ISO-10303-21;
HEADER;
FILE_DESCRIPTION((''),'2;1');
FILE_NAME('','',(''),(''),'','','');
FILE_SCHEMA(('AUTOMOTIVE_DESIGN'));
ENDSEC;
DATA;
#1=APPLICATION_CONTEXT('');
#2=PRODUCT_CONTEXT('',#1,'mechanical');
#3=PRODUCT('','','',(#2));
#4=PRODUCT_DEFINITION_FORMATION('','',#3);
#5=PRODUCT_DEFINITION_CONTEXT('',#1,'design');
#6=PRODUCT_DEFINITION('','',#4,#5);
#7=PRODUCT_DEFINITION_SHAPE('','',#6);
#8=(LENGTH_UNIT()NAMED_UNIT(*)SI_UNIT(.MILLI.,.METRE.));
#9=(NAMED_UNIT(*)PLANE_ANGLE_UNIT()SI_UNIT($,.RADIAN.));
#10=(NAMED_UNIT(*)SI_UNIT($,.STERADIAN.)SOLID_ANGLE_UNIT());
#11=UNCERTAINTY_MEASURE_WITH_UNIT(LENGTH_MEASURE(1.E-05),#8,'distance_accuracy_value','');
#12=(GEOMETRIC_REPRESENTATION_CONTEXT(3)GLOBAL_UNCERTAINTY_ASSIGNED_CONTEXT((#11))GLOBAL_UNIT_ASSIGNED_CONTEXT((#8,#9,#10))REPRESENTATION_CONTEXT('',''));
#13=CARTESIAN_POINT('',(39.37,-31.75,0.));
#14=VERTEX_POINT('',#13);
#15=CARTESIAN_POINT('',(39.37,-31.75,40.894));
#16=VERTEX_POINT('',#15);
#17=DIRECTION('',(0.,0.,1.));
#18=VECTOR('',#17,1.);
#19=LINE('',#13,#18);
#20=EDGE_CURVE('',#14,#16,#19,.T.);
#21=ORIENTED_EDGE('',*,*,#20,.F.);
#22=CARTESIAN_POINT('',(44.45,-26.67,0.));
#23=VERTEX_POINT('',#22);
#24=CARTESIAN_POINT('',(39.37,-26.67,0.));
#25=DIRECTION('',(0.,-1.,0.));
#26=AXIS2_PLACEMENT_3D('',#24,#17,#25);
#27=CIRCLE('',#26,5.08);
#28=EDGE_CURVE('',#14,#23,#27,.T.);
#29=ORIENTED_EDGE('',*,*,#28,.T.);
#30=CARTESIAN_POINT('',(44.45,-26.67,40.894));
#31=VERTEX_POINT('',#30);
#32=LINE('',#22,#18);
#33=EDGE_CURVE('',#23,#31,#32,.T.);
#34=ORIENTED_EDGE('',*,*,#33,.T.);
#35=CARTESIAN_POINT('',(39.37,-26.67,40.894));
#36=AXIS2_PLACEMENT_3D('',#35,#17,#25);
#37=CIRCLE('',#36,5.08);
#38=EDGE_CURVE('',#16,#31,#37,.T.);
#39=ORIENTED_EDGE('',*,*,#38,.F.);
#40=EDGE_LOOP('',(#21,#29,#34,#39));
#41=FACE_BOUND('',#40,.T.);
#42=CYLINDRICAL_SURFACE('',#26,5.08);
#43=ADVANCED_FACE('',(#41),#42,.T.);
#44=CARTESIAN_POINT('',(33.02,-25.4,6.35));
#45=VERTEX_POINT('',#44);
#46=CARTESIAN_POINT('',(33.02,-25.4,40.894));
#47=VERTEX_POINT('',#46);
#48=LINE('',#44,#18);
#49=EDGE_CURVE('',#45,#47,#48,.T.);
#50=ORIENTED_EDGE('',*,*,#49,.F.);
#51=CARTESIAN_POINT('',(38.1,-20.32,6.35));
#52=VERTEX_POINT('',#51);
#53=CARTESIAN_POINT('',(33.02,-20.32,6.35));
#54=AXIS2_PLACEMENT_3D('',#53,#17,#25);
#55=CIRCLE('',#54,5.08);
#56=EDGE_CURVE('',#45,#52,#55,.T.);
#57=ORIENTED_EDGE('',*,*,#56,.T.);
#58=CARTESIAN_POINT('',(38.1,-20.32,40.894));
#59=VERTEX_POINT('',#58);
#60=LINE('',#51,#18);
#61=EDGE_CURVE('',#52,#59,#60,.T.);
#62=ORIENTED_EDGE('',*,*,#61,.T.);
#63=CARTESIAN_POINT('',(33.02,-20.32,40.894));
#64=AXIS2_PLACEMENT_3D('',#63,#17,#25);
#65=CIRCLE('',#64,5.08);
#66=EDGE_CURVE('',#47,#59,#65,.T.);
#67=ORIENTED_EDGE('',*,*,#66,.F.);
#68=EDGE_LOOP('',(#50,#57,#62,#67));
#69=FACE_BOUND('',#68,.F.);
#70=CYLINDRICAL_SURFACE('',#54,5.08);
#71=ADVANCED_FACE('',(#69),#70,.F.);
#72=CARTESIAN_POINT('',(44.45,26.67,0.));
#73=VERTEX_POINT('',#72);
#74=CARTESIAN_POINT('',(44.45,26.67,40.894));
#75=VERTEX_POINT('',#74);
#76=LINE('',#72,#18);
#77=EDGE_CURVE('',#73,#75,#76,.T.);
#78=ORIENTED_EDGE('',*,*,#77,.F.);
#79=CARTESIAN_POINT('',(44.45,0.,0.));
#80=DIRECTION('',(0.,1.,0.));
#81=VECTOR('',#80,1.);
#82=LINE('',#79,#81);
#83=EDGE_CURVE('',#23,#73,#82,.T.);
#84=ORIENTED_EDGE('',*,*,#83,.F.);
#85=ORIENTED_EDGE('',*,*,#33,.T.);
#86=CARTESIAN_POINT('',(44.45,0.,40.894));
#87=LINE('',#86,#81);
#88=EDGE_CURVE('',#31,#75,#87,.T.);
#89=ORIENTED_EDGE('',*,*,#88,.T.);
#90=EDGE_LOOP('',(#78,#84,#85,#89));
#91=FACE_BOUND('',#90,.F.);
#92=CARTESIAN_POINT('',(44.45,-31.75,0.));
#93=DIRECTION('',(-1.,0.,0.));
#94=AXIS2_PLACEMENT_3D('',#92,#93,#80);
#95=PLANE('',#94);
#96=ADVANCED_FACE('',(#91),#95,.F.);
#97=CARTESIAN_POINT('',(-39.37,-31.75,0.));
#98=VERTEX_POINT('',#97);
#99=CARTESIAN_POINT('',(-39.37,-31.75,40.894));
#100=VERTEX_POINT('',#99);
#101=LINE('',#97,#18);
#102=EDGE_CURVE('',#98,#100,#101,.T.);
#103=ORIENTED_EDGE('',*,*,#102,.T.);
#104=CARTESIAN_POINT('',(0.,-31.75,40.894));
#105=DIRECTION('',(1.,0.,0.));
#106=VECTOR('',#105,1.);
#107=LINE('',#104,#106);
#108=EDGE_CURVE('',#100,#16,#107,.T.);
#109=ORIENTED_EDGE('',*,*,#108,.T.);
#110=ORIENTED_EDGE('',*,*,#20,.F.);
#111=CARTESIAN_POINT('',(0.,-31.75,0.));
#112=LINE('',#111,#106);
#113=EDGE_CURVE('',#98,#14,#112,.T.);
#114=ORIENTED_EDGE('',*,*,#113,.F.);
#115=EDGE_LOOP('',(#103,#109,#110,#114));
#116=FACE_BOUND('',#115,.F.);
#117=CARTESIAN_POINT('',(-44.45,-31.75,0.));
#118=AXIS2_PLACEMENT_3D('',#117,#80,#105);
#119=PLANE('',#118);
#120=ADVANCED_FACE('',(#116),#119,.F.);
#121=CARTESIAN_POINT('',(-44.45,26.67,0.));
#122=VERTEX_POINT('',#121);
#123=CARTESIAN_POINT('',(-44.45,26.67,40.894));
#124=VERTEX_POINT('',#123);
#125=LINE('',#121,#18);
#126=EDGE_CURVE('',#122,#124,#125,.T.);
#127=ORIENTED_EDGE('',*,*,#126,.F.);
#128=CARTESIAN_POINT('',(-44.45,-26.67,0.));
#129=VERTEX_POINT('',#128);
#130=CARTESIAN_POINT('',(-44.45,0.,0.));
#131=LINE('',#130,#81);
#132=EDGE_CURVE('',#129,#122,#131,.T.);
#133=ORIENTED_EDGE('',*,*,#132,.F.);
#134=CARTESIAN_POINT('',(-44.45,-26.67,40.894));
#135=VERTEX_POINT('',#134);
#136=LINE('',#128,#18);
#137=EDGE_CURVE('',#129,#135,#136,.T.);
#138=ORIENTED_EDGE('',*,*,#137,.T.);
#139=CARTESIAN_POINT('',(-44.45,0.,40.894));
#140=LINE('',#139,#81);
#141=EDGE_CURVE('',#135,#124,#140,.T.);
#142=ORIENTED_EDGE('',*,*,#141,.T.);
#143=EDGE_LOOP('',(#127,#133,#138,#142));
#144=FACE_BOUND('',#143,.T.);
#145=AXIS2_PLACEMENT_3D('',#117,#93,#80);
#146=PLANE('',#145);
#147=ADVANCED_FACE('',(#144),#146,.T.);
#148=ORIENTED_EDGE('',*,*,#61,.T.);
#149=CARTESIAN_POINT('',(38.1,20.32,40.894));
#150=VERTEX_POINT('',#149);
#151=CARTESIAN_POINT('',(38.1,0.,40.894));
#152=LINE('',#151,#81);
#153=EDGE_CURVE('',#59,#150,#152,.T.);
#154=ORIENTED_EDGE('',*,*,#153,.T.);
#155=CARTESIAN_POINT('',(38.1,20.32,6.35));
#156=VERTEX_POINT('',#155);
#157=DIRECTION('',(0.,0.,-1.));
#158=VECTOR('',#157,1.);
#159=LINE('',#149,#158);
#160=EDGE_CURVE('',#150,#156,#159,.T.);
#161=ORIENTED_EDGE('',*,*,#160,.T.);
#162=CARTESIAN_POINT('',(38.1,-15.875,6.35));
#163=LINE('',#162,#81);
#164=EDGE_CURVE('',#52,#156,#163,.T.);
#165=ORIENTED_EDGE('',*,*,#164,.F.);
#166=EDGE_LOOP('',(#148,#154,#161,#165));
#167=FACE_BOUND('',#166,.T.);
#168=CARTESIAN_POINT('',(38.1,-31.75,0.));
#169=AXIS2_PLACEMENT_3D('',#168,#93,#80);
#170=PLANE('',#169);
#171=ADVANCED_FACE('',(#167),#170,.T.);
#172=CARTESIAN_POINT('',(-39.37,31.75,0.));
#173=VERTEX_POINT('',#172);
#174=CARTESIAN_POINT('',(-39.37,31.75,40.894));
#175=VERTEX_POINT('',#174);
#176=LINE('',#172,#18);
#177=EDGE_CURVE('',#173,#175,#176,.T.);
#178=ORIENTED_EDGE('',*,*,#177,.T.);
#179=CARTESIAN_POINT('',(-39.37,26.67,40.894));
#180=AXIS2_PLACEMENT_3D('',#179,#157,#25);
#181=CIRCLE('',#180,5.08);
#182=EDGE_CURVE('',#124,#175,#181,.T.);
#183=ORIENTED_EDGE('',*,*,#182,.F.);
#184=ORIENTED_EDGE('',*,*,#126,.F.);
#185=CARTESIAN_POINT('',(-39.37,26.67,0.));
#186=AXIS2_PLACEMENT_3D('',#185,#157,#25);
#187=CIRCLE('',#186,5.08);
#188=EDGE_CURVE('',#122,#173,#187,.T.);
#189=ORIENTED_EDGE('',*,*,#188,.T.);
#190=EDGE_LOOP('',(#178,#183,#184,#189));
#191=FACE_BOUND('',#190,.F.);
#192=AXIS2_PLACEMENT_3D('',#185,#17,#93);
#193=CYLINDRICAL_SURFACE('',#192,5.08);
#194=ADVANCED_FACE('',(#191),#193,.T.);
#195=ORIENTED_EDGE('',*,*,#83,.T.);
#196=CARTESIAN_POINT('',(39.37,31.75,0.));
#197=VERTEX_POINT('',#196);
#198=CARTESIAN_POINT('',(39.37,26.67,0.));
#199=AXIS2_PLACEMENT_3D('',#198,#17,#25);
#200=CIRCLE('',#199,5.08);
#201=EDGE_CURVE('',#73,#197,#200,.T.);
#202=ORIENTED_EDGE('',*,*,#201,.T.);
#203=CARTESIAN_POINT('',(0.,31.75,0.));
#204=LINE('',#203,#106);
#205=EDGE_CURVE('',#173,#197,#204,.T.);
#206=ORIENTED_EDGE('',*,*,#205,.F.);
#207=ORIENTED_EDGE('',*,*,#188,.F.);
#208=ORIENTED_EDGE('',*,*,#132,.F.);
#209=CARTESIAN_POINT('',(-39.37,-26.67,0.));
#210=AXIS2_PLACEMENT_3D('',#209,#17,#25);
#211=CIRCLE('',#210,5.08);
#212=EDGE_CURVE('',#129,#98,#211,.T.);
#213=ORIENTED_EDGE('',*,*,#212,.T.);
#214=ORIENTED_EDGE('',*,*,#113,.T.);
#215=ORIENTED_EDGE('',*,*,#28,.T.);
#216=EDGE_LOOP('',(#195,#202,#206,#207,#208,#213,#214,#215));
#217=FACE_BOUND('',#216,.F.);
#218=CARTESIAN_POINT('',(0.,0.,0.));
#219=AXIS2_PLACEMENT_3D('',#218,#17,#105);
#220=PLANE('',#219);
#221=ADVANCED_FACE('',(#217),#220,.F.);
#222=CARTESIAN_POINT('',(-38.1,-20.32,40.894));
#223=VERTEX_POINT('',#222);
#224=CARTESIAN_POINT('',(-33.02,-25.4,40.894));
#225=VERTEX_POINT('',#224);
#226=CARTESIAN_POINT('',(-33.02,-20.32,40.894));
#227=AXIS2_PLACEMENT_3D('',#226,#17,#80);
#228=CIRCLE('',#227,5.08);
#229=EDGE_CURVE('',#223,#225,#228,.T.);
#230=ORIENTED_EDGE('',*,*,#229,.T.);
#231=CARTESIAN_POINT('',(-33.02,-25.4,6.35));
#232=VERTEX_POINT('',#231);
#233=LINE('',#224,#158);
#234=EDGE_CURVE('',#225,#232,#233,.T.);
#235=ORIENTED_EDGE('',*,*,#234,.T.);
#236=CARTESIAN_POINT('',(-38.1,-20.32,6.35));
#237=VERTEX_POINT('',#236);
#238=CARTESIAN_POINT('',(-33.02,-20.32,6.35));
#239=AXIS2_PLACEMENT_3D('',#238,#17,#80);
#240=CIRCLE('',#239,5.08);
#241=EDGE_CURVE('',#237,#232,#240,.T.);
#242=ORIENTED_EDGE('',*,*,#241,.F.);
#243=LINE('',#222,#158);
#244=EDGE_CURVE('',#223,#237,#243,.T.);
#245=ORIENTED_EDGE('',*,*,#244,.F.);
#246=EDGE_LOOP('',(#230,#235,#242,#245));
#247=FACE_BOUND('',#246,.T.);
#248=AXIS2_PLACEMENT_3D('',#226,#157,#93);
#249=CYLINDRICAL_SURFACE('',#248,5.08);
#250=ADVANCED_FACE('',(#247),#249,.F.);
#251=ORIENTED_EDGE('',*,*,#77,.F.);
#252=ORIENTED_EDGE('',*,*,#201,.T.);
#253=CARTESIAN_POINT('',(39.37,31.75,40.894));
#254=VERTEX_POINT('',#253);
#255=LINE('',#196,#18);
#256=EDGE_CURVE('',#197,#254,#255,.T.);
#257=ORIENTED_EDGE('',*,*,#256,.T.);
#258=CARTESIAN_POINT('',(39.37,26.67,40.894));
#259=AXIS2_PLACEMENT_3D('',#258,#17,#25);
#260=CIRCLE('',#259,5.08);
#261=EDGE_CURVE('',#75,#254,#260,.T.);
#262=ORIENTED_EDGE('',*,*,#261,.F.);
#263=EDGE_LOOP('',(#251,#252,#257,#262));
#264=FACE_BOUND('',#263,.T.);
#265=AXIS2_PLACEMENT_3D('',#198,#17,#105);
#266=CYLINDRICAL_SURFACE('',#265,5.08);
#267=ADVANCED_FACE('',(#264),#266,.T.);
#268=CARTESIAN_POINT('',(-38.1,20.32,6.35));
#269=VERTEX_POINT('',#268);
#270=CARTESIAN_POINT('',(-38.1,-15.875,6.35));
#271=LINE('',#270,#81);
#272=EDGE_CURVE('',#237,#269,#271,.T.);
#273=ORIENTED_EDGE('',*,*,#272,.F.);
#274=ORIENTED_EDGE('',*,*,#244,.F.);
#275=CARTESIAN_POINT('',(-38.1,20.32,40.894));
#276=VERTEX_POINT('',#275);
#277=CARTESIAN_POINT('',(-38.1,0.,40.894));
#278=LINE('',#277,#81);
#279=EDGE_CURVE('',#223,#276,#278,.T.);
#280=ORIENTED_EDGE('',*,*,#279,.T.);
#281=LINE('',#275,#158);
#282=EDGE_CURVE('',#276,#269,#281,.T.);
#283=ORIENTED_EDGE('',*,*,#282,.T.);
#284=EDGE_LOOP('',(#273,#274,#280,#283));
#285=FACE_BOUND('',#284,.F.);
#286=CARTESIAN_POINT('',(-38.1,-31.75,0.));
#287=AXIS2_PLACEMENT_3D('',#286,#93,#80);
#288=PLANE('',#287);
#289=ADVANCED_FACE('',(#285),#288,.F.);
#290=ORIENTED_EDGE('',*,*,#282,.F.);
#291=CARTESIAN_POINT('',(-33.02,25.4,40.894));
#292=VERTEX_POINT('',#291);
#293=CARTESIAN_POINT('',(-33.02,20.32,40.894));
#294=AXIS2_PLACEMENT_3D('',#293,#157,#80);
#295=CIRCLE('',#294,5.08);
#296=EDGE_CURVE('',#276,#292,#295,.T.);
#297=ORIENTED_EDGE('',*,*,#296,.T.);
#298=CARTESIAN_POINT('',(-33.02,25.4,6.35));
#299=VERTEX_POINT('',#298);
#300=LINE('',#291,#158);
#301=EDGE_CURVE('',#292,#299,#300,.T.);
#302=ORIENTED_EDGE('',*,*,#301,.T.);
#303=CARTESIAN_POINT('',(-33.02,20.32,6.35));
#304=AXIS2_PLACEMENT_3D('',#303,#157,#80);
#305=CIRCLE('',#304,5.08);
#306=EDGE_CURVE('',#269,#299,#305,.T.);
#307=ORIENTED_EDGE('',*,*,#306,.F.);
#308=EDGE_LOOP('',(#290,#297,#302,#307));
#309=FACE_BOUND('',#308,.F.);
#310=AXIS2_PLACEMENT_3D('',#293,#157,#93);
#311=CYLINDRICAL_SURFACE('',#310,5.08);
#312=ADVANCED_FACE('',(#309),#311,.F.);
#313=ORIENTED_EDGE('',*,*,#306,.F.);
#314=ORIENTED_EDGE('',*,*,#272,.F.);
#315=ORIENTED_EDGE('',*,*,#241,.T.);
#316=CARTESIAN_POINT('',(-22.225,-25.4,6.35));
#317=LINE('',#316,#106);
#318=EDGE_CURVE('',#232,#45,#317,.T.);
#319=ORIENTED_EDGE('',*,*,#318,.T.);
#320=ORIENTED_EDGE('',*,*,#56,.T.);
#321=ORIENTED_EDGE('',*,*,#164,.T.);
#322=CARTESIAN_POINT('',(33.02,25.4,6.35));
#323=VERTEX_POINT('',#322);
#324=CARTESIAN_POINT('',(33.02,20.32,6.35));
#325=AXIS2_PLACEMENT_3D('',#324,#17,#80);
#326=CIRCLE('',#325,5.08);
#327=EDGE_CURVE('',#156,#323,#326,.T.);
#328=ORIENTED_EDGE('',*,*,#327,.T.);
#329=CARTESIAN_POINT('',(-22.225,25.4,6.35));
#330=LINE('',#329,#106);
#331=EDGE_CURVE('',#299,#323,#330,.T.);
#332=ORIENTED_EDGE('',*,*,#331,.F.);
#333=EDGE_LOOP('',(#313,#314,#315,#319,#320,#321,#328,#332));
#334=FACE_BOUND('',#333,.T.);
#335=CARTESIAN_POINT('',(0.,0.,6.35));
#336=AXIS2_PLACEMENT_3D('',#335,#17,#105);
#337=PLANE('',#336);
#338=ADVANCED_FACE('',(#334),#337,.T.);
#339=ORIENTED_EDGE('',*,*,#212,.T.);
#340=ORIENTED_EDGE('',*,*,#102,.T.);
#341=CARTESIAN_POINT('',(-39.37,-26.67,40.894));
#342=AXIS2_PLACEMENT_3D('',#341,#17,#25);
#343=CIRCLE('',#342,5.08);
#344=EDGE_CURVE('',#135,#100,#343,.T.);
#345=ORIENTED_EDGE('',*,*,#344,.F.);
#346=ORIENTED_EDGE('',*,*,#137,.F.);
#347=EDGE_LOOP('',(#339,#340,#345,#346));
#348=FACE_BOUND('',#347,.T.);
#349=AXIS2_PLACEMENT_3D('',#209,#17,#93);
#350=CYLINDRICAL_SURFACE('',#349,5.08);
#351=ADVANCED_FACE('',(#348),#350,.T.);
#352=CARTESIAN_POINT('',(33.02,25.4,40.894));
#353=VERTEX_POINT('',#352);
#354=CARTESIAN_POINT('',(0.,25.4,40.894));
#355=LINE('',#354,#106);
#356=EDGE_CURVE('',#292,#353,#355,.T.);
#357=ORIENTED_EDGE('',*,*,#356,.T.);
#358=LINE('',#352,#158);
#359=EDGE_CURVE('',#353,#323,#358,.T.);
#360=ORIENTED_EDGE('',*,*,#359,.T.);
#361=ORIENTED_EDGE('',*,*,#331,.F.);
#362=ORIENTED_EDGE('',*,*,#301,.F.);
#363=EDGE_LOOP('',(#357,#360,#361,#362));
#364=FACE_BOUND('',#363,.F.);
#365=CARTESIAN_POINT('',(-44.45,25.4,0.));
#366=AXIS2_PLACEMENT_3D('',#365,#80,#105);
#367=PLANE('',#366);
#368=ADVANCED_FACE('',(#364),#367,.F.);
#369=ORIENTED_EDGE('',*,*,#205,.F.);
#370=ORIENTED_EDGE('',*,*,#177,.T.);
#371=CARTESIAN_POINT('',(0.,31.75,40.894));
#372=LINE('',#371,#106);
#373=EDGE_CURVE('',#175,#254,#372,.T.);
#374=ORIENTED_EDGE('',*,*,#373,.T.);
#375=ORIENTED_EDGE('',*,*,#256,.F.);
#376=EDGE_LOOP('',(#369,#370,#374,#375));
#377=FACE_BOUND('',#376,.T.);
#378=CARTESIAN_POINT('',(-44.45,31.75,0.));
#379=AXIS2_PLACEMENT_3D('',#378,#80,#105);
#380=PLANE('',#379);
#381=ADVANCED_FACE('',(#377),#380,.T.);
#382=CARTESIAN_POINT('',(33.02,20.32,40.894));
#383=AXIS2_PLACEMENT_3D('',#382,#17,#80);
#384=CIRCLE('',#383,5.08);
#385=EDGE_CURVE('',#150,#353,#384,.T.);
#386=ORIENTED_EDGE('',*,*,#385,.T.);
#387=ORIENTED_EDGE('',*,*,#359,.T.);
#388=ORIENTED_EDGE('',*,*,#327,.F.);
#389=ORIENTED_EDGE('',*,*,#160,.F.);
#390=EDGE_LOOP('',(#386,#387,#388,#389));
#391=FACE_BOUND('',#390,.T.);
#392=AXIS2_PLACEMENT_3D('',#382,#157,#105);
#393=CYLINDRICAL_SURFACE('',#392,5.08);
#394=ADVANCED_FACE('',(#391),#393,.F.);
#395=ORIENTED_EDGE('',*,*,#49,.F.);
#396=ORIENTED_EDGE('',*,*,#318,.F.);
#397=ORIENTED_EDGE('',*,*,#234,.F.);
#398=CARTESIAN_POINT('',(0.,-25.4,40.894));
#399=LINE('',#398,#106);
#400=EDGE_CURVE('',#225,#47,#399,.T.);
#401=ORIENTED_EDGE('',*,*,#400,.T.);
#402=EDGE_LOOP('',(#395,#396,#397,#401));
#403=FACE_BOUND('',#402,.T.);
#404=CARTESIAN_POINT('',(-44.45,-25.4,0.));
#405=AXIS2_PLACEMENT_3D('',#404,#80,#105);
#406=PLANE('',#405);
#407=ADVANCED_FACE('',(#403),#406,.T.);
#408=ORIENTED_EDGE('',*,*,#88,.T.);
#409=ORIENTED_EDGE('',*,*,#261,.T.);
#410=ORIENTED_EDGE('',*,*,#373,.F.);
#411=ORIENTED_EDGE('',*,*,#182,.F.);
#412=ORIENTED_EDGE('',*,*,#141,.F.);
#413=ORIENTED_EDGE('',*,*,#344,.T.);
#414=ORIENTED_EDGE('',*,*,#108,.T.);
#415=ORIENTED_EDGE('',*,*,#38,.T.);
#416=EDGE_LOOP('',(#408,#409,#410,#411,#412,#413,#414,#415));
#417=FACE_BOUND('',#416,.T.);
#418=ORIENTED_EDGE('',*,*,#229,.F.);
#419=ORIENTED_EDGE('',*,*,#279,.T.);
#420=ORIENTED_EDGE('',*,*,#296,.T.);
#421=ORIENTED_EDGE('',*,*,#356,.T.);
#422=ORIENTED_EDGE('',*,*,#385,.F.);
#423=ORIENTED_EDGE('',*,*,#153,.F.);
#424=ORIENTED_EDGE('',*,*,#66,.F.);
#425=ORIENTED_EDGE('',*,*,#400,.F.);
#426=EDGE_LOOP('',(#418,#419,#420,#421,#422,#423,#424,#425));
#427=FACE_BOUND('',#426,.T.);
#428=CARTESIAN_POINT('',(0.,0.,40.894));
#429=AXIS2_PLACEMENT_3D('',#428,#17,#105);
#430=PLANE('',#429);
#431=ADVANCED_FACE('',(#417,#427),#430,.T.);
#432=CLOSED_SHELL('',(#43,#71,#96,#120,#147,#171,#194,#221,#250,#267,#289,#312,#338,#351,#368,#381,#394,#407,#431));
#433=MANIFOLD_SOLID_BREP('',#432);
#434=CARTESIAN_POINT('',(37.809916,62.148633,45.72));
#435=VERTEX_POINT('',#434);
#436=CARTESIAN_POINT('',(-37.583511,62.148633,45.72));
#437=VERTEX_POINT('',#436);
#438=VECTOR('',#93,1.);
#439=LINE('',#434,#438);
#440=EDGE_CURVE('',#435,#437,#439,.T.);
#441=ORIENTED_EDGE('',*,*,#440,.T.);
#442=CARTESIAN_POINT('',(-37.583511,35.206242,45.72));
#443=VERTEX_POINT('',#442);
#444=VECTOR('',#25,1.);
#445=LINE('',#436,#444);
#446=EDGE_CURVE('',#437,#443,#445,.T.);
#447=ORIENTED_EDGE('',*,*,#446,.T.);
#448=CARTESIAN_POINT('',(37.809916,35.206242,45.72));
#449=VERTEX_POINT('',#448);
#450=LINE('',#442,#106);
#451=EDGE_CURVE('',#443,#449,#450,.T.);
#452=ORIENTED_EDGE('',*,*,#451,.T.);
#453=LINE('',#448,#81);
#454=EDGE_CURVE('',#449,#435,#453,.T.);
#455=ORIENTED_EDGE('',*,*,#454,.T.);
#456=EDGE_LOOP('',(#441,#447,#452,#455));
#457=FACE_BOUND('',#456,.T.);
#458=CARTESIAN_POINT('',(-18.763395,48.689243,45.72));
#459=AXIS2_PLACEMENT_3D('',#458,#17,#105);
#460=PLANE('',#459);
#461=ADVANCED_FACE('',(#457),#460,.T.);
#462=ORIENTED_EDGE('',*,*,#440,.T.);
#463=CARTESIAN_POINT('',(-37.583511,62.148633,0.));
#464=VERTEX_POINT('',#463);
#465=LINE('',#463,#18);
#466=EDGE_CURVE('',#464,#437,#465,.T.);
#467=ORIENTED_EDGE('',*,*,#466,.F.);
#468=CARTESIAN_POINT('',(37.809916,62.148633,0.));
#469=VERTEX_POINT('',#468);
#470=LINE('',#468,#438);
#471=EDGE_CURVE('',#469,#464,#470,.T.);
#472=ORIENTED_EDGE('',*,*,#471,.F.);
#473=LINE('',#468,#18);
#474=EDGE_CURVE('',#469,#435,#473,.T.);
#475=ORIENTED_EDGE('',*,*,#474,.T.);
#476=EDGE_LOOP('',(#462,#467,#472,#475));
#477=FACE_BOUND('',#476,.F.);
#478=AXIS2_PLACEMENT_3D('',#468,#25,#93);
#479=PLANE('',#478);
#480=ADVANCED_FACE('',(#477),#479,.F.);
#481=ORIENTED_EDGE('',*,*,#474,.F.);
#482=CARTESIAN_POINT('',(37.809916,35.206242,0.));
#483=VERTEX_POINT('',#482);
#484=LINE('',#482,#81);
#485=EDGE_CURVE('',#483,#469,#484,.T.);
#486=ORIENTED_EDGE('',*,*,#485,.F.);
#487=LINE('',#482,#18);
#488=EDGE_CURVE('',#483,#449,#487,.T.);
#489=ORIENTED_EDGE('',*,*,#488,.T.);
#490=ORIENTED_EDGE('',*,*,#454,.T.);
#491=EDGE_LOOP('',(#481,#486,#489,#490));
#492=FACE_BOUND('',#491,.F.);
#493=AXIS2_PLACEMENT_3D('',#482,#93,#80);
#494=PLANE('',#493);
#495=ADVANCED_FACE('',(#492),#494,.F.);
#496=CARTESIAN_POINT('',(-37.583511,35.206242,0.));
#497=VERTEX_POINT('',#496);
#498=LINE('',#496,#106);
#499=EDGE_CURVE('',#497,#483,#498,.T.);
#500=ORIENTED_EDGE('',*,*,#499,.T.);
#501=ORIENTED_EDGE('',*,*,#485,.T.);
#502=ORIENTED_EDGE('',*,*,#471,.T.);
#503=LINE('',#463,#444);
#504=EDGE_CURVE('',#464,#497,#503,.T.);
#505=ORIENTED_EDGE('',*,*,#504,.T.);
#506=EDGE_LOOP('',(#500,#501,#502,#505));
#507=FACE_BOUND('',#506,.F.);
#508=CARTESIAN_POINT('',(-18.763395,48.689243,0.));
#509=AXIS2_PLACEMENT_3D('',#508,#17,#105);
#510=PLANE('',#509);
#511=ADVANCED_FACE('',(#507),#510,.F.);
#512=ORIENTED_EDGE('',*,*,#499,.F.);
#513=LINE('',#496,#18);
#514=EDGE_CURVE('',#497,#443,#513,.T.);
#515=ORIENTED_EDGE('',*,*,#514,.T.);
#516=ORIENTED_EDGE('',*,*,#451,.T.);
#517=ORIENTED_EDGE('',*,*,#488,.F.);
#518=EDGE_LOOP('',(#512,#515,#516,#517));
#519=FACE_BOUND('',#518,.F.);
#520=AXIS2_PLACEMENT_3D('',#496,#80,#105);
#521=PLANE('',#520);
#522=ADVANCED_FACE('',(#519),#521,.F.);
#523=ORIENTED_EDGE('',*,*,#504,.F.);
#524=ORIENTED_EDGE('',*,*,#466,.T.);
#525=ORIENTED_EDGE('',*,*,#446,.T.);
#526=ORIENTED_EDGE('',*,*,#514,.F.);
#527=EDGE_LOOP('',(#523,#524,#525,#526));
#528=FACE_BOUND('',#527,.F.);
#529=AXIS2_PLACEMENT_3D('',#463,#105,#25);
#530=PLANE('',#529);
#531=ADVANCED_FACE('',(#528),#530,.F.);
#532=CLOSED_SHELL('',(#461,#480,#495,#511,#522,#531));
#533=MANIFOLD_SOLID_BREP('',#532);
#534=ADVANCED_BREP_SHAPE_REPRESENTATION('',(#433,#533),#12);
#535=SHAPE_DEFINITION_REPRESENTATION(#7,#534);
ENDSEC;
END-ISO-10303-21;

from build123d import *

# Parameters (mm, degrees)
F0_W     = 88.9
F0_H     = 63.5
F1_DEPTH = 40.894
F2_T     = -6.35
F3_R     = 5.08
F5_DEPTH = 45.72


with BuildPart() as f1:
    # F0 (on Top) → F1 (new body)
    with BuildSketch(Plane.XY):
        Rectangle(F0_W, F0_H)
    extrude(amount=F1_DEPTH)

    # F2
    f2_openings = [f1.faces().sort_by_distance(p)[0] for p in [
        (0, 0, 40.894),
    ]]
    offset(amount=F2_T, openings=f2_openings)

    # F3
    f3_edges = [f1.edges().sort_by_distance(p)[0] for p in [
        (-44.45, 31.75, 20.447),
        (44.45, 31.75, 20.447),
        (44.45, -31.75, 20.447),
        (-44.45, -31.75, 20.447),
        (-38.1, -25.4, 23.622),
        (38.1, -25.4, 23.622),
        (38.1, 25.4, 23.622),
        (-38.1, 25.4, 23.622),
    ]]
    fillet(f3_edges, radius=F3_R)


with BuildPart() as f5:
    # F4 (on Top) → F5 (new body)
    with BuildSketch(Plane.XY):
        Polygon((-37.5835106074, 62.148632512), (-37.5835106074, 35.2062415301), (0, 35.2062415301), (0.1132027104, 62.148632512), align=None)
        Polygon((0.1132027104, 62.148632512), (0, 35.2062415301), (37.8099160281, 35.2062415301), (37.8099160281, 62.148632512), align=None)
    extrude(amount=F5_DEPTH)


solid = Compound([f1.part, f5.part])
